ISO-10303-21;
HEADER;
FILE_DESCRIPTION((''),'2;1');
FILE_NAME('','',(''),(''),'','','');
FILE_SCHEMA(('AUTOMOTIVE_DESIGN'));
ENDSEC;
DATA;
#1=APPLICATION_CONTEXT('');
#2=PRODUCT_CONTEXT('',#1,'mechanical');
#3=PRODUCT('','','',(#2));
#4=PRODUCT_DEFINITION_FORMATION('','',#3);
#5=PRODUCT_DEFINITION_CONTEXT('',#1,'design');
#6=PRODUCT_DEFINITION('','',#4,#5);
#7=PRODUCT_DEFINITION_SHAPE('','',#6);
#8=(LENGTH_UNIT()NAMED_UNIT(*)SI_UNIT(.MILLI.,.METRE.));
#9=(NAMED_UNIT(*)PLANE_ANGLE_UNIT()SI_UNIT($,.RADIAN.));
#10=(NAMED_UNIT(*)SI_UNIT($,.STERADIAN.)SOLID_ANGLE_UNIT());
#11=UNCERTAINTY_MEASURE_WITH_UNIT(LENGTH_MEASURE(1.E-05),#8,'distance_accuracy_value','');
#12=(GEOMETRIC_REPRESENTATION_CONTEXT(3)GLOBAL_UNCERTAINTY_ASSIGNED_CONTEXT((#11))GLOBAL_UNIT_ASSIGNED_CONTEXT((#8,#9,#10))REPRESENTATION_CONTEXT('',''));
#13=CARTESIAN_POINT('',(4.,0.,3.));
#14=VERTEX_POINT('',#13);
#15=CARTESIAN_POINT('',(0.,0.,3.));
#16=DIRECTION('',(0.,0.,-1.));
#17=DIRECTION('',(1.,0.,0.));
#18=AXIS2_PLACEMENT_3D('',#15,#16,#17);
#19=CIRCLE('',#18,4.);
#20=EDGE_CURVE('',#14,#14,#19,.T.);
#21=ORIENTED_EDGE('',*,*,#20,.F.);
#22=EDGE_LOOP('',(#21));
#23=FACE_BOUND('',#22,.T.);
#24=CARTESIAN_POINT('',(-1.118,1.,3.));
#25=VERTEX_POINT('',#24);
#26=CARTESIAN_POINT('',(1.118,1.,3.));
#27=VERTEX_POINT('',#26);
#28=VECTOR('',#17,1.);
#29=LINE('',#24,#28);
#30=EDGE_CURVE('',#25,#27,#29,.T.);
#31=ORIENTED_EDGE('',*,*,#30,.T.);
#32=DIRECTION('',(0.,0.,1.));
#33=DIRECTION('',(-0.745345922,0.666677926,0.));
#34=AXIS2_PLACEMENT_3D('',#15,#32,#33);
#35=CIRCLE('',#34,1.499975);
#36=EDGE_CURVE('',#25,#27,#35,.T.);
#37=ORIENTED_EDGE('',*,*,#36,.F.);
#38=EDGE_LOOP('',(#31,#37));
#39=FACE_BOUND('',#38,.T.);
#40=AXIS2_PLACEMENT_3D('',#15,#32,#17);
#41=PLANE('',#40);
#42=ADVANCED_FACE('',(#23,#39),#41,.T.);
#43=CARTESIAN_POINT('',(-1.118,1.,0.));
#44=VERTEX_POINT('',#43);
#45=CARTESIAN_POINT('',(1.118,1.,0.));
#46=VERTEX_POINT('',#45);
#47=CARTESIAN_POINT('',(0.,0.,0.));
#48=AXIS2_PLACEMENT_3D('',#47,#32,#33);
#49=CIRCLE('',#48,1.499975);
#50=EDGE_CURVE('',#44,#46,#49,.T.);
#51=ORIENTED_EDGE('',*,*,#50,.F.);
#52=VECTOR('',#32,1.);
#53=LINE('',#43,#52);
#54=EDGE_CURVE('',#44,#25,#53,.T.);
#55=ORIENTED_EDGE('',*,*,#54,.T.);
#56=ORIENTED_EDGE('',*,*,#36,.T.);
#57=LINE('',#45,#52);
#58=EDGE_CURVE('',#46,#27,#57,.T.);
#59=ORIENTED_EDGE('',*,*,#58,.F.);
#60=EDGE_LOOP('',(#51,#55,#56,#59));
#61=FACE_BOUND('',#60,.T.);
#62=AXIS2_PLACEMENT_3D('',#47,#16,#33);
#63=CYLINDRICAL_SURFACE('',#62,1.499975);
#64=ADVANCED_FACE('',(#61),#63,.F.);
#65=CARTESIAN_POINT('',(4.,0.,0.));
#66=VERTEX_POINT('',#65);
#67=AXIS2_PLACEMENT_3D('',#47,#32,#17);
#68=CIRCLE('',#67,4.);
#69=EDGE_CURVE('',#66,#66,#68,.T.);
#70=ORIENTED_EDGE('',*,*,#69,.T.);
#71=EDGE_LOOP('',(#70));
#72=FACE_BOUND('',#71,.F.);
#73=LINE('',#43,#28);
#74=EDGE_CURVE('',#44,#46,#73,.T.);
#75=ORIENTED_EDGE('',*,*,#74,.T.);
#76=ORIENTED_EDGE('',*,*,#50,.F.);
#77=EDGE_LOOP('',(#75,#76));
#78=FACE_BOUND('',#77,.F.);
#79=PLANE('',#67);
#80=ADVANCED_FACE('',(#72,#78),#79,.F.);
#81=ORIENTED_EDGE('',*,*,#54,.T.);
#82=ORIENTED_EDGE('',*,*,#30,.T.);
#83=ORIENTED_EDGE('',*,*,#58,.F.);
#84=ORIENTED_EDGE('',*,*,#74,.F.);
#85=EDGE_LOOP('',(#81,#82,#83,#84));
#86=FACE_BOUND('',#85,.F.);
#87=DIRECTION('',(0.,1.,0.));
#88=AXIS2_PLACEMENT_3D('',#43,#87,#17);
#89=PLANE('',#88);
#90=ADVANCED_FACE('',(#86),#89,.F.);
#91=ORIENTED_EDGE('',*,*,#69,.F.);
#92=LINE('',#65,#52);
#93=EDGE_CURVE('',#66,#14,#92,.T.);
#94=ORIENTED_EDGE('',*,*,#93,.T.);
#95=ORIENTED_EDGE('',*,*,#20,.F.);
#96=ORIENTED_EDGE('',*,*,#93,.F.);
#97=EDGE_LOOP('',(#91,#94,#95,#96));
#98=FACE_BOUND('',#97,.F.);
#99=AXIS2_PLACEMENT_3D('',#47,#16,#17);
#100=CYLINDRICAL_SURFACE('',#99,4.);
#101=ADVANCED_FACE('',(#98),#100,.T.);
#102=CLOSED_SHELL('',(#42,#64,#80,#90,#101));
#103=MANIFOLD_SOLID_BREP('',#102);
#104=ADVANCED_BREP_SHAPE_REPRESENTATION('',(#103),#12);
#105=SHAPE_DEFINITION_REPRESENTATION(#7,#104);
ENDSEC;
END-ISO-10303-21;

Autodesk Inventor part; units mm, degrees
ref_plane "YZ Plane" through (0, 0, 0) normal (1, 0, 0) x (0, 1, 0)
ref_plane "XZ Plane" through (0, 0, 0) normal (0, 1, 0) x (-1, 0, 0)
ref_plane "XY Plane" through (0, 0, 0) normal (0, 0, 1) x (1, 0, 0)
sketch "草圖1" plane through (0, 0, 0) normal (0, 0, 1) x (1, 0, 0)
  circle A0 centre (0, 0) radius 4
  arc A1 (-1.118, 1) -> (1.118, 1) centre (0, 0) ccw
  line L0 (-1.118, 1) -> (1.118, 1)
  line L1 (-1.5, 11.7081) -> (1.5, 11.7081)
  line L2 (1.5, 11.7081) -> (1.5, 3.7081)
  line L3 (1.5, 3.7081) -> (-1.5, 3.7081)
  line L4 (-1.5, 3.7081) -> (-1.5, 11.7081)
  line L5 (-1.5, -3.7081) -> (1.5, -3.7081)
  line L6 (1.5, -3.7081) -> (1.5, -7.7081)
  line L7 (1.5, -7.7081) -> (-1.5, -7.7081)
  line L8 (-1.5, -7.7081) -> (-1.5, -3.7081)
  point P0 (1.5, -3.7081)
  dimension "d0" = 8
  dimension "d1" = 3
  dimension "d2" = 8
  dimension "d3" = 4
extrude "擠出1" add sketch "草圖1" along normal blind 3 contours A0 L5 L3 | L3 A0 | A0 L5
sketch "草圖2" plane through (0, 0, 0) normal (0, 0, -1) x (-1, 0, 0)
  point P0 (0, 0)
sketch "草圖3" plane through (0, 0, 0) normal (0, 0, -1) x (-1, 0, 0)
  circle A0 centre (0, 0) radius 4 projected
  line L0 (1.118, 1) -> (-1.118, 1) projected
  arc A1 (-1.118, 1) -> (1.118, 1) centre (0, 0) ccw projected
properties part number "motorbase_5"
